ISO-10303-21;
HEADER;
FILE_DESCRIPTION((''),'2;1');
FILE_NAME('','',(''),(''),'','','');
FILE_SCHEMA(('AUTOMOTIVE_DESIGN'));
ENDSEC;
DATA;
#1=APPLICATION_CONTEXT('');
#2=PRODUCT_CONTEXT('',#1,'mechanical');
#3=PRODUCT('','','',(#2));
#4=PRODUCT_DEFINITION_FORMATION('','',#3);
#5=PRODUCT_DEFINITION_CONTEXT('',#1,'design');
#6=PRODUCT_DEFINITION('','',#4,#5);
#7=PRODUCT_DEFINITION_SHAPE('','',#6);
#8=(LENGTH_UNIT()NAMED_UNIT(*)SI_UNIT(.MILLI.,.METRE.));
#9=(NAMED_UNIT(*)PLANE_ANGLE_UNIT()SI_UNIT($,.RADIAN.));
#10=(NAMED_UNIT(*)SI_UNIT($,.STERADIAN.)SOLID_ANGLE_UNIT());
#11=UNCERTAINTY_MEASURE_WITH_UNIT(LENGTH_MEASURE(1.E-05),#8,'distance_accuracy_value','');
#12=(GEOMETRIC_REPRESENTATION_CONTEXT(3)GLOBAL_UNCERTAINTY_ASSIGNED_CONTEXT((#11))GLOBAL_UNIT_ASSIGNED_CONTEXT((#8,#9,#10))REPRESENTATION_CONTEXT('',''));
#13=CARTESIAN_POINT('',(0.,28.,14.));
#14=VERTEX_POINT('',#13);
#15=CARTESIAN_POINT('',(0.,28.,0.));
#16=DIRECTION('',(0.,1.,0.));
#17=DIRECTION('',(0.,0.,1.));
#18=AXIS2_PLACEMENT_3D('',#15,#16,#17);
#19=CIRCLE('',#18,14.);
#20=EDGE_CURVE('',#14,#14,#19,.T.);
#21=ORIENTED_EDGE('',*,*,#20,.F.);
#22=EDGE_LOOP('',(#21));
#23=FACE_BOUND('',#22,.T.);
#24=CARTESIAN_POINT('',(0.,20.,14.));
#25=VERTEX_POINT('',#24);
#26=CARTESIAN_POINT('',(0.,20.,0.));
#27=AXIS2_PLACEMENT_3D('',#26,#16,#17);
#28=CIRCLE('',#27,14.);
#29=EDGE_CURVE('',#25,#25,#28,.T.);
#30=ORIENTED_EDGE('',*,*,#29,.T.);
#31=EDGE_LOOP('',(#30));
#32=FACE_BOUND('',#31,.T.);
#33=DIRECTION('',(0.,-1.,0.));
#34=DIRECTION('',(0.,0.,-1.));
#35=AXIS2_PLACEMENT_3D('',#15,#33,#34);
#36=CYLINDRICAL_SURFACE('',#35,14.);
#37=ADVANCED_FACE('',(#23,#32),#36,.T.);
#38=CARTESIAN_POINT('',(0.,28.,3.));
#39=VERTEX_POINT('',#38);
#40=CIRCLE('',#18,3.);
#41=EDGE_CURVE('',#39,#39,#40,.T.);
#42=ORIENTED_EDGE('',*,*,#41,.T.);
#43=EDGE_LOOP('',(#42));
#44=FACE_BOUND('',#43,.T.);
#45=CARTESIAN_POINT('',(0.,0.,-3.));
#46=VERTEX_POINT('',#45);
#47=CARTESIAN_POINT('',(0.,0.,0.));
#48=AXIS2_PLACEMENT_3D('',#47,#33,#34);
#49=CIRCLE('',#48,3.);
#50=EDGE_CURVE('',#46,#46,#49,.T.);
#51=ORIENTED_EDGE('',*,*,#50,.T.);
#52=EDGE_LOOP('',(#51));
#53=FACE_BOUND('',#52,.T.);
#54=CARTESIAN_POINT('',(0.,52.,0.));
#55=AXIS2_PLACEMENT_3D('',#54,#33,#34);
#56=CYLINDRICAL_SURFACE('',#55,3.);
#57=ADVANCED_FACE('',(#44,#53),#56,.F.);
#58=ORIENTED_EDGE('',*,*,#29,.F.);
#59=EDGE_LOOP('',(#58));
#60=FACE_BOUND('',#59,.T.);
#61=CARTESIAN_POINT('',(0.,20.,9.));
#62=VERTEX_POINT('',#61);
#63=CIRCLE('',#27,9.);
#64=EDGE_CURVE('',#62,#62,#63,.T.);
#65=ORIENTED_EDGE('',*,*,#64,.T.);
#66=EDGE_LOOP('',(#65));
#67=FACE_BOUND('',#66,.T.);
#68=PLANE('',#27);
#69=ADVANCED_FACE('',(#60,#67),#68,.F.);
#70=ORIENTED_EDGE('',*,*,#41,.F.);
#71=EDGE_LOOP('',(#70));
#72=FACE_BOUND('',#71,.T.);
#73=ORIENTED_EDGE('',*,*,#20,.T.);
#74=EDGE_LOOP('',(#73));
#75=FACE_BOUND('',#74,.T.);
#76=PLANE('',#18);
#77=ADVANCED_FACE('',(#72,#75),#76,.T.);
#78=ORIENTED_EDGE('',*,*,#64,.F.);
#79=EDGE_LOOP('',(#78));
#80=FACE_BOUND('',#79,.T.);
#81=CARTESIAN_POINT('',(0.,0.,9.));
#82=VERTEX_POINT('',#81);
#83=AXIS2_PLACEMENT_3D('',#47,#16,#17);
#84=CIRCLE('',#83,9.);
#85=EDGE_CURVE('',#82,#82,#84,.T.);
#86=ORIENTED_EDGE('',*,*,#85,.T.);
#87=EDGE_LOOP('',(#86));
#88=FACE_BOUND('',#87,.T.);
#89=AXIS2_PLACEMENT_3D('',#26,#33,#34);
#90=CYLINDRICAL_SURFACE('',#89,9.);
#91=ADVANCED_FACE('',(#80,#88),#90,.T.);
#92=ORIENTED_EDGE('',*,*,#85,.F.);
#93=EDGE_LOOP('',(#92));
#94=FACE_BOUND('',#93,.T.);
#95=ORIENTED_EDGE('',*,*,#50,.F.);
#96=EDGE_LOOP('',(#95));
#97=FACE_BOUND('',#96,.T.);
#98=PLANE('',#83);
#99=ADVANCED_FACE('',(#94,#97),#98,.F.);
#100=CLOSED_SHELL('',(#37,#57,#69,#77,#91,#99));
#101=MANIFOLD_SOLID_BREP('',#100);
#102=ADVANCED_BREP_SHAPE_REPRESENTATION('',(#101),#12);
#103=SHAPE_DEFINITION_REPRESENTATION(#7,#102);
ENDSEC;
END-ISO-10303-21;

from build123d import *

# Parameters (mm, degrees)
SKETCH1_R           = 9
BOSS_EXTRUDE1_DEPTH = 20
SKETCH2_R           = 3
CUT_EXTRUDE1_DEPTH  = 52
SKETCH3_R           = 14
BOSS_EXTRUDE2_DEPTH = 8
SKETCH4_R           = 3
CUT_EXTRUDE2_DEPTH  = 12


with BuildPart() as part:
    # Sketch1 → Boss-Extrude1 (new body)
    with BuildSketch(Plane(origin=(0, 0, 0), x_dir=(1, 0, 0), z_dir=(0, 1, 0))):
        Circle(SKETCH1_R)
    extrude(amount=BOSS_EXTRUDE1_DEPTH)

    # Sketch2 → Cut-Extrude1 (cut)
    with BuildSketch(Plane.XZ):
        Circle(SKETCH2_R)
    extrude(amount=-CUT_EXTRUDE1_DEPTH, mode=Mode.SUBTRACT)

    # Sketch3 → Boss-Extrude2 (add)
    with BuildSketch(Plane(origin=(0, 20, 0), x_dir=(1, 0, 0), z_dir=(0, 1, 0))):
        Circle(SKETCH3_R)
    extrude(amount=BOSS_EXTRUDE2_DEPTH)

    # Sketch4 → Cut-Extrude2 (cut)
    with BuildSketch(Plane(origin=(0, 28, 0), x_dir=(1, 0, 0), z_dir=(0, 1, 0))):
        Circle(SKETCH4_R)
    extrude(amount=-CUT_EXTRUDE2_DEPTH, mode=Mode.SUBTRACT)


solid = part.part
